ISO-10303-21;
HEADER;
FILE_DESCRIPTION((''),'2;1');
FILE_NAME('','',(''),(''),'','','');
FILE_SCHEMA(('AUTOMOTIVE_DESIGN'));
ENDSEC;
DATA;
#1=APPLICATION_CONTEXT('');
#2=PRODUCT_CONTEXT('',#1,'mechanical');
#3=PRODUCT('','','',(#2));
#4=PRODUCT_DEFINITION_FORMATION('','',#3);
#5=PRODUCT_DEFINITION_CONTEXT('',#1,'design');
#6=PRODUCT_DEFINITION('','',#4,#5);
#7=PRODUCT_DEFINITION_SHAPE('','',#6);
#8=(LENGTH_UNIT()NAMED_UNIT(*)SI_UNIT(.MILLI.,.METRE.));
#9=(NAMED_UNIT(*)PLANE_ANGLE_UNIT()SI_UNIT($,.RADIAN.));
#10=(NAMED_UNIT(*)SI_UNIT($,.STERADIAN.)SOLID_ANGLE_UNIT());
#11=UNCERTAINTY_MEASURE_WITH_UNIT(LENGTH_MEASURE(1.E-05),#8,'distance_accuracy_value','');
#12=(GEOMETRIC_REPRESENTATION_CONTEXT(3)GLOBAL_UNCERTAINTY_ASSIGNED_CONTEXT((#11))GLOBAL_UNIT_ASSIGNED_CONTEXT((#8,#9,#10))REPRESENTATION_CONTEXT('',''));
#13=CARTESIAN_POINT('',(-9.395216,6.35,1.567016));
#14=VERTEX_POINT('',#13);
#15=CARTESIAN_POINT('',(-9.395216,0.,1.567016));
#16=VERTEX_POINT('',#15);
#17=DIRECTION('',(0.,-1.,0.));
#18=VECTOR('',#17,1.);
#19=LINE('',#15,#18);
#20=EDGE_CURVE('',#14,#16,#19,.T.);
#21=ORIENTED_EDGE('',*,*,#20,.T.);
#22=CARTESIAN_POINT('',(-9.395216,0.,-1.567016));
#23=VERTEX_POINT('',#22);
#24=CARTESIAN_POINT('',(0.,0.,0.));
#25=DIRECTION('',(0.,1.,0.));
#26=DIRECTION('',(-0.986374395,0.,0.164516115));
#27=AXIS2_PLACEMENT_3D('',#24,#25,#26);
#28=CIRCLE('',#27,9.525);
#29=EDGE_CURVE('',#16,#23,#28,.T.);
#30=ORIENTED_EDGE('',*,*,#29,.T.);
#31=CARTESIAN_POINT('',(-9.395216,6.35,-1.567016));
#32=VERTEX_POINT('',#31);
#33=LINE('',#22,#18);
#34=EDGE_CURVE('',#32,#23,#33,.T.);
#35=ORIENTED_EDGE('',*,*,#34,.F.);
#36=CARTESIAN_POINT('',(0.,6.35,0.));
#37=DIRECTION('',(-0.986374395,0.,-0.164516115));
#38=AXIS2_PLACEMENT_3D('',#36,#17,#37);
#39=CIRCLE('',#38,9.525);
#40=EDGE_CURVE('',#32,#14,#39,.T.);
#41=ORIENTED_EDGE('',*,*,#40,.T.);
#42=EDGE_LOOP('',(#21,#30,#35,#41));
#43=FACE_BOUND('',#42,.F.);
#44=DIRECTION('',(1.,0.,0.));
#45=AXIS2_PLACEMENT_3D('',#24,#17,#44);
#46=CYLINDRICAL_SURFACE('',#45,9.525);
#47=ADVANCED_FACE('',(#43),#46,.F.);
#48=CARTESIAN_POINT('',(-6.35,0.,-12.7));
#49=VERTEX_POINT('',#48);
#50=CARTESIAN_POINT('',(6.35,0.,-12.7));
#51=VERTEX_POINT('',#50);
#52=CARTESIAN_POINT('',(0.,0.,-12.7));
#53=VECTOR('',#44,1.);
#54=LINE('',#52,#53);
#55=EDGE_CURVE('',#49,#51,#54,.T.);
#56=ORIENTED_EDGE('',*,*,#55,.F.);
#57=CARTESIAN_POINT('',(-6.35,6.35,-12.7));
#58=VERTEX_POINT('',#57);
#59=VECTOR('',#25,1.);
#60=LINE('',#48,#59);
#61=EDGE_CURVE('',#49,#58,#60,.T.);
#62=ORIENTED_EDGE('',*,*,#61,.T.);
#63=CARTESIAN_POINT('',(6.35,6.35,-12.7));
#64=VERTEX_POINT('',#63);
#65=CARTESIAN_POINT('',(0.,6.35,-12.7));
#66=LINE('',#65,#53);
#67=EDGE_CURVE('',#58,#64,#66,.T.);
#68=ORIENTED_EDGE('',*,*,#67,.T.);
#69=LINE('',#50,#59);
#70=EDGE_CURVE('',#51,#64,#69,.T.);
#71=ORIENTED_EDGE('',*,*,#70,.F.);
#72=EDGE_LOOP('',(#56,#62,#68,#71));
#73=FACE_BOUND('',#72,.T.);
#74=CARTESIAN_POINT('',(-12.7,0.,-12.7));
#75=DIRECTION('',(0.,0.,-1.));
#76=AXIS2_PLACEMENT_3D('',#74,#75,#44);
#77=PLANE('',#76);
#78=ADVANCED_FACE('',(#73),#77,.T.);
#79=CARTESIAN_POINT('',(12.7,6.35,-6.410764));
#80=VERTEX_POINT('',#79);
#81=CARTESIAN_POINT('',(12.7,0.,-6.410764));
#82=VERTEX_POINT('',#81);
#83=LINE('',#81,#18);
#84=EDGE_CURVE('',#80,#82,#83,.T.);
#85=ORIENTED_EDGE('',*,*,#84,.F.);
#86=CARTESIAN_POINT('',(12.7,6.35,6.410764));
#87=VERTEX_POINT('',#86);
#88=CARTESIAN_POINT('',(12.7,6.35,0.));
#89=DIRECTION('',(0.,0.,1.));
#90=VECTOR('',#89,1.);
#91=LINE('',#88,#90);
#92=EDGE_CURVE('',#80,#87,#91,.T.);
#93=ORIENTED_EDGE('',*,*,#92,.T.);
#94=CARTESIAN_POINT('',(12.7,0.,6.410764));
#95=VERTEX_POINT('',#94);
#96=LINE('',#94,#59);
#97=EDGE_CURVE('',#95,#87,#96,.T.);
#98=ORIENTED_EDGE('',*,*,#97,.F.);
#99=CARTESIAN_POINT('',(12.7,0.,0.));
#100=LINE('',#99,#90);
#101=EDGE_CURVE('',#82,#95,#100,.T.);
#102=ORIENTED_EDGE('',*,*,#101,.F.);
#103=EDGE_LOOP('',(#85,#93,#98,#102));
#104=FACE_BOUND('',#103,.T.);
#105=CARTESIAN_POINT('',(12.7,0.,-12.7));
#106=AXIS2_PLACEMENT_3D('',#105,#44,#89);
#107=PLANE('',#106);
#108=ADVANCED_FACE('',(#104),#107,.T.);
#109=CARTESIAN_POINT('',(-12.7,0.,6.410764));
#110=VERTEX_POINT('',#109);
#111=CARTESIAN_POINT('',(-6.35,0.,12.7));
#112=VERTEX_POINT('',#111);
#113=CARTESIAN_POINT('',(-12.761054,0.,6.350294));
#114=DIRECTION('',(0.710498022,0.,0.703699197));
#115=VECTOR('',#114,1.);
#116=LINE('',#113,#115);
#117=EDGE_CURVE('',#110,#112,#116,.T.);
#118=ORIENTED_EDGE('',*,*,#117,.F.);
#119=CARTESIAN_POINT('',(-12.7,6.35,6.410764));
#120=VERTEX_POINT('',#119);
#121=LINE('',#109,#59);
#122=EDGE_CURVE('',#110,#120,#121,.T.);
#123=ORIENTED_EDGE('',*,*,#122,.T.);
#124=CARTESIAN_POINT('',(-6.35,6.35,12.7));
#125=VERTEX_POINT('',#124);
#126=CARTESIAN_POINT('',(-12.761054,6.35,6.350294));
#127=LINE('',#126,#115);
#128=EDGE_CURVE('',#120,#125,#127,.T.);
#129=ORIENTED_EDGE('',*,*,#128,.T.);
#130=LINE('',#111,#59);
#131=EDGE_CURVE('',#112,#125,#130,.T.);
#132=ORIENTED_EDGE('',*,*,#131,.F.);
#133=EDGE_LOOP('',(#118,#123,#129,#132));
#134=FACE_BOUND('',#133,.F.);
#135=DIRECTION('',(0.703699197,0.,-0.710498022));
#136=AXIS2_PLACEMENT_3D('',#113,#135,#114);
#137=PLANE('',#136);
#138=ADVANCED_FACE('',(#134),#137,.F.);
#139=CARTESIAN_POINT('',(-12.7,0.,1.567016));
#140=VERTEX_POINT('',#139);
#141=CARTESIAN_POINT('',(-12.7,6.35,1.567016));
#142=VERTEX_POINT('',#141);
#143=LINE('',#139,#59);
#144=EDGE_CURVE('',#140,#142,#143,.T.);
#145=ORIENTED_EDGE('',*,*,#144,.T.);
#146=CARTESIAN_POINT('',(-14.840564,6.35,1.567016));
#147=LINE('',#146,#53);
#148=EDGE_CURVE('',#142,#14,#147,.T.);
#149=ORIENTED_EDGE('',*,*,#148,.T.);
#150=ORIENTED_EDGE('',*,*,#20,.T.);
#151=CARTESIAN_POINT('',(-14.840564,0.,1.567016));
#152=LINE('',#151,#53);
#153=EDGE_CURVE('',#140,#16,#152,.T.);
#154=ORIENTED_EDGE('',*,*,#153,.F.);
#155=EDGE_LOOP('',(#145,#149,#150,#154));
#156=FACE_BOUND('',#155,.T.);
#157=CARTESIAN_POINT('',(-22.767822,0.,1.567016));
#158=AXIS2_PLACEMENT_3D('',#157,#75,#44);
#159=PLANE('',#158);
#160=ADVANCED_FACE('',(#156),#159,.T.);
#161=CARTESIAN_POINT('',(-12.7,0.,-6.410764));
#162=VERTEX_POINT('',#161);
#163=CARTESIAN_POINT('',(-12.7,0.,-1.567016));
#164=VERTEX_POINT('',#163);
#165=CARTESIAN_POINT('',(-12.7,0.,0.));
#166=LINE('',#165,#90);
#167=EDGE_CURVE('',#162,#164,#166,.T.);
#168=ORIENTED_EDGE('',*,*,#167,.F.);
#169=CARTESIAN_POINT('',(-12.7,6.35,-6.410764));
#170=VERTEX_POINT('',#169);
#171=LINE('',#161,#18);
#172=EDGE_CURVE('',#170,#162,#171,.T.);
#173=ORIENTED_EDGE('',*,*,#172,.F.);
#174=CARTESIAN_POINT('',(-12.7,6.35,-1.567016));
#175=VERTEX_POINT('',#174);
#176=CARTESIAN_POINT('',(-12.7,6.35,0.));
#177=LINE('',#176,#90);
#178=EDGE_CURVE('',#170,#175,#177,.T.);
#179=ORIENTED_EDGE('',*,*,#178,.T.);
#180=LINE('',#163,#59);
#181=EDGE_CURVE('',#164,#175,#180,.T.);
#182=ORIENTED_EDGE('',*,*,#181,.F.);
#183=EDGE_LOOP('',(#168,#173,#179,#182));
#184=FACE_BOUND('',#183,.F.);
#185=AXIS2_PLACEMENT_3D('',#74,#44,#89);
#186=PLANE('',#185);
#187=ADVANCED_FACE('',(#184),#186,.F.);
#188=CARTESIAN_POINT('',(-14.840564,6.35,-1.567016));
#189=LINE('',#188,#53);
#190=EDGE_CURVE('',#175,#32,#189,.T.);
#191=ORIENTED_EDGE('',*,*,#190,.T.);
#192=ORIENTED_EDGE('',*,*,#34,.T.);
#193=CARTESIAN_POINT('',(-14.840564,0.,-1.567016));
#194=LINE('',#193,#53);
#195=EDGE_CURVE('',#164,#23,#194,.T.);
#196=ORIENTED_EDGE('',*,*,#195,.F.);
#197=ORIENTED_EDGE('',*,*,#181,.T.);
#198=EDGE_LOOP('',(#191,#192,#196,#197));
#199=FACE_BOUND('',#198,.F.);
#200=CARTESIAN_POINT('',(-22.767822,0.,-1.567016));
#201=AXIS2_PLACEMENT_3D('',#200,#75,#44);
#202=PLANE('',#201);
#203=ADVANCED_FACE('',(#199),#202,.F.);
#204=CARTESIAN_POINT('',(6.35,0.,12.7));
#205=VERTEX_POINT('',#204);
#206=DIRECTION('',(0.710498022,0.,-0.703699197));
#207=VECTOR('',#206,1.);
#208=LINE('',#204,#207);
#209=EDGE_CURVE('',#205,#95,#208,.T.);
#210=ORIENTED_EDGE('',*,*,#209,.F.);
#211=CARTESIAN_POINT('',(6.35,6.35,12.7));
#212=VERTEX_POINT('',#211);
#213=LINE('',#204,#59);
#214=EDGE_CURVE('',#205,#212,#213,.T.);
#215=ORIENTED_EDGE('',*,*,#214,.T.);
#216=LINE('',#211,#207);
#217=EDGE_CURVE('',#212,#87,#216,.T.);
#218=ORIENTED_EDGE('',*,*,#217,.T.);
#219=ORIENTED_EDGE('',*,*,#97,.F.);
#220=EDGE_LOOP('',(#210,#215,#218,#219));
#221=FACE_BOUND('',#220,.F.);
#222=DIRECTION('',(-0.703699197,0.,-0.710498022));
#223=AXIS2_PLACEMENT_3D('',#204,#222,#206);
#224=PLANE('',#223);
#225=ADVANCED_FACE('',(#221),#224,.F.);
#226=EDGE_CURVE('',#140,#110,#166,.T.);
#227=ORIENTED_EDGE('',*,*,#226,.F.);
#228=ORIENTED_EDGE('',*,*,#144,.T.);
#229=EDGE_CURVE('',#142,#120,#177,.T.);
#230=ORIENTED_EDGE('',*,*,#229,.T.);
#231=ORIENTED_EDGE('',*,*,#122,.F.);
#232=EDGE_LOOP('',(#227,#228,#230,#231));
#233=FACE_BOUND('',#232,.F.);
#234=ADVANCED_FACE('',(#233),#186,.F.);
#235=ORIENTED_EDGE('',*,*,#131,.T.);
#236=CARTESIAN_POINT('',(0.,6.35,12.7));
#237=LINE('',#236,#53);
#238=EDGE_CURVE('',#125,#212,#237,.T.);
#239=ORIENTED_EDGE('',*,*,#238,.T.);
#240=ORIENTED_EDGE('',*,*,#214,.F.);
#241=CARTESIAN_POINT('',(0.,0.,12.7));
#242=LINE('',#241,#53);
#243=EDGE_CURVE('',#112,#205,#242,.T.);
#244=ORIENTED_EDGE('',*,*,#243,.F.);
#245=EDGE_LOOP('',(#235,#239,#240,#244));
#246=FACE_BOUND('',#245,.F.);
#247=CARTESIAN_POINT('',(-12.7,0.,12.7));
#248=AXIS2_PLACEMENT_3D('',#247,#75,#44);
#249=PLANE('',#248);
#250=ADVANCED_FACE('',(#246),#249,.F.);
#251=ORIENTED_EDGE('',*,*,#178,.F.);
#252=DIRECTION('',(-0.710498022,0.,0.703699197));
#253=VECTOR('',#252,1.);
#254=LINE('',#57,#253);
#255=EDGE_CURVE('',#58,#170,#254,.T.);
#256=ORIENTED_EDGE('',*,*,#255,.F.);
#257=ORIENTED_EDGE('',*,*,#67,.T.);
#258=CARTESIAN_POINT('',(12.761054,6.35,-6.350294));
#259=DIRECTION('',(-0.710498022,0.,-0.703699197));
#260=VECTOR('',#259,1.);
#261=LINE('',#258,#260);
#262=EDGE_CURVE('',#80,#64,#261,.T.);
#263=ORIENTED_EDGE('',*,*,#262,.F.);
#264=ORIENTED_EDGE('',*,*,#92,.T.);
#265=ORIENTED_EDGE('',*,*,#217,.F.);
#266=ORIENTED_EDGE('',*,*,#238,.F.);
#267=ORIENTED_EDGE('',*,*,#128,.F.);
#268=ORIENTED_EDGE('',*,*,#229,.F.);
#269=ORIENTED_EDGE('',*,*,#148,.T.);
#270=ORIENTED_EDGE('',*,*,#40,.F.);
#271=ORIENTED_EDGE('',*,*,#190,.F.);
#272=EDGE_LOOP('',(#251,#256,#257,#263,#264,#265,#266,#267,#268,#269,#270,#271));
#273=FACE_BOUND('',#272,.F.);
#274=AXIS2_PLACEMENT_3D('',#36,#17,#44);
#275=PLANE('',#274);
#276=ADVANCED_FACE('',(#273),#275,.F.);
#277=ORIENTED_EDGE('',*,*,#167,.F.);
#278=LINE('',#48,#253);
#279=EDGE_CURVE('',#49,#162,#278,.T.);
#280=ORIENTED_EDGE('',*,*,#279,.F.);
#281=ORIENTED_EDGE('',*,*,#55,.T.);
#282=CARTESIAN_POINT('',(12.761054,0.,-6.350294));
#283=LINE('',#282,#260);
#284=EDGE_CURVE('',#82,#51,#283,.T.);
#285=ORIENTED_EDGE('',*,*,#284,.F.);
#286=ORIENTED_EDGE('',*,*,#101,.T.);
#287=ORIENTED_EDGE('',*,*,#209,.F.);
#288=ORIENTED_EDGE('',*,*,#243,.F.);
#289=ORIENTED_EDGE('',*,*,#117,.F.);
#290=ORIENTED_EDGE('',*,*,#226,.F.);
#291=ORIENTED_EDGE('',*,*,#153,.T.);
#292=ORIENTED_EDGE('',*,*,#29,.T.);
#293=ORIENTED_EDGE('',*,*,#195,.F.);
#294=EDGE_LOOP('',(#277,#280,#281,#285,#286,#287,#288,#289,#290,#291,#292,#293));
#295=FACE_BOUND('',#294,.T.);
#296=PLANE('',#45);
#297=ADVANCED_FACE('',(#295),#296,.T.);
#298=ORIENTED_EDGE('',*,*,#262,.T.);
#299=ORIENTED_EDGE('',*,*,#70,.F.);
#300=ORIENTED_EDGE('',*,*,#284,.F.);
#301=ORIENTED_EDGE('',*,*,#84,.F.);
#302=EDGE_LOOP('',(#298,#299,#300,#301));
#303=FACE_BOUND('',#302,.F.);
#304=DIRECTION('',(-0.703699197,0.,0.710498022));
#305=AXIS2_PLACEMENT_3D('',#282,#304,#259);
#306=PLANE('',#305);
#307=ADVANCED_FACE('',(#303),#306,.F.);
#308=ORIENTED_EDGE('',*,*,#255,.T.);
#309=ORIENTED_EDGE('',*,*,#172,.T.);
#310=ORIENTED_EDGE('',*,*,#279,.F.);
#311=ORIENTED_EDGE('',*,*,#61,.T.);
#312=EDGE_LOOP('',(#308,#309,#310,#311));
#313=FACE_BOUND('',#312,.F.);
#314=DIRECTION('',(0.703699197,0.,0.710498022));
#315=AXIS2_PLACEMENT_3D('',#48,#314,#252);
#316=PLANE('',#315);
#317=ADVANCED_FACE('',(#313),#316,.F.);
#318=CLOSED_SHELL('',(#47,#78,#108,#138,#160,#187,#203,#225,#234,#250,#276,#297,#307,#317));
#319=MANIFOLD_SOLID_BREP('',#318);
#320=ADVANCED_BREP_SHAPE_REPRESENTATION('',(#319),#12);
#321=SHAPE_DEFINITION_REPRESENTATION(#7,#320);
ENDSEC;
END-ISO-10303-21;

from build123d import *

# Parameters (mm, degrees)
F0_W     = 25.4
F0_H     = 25.4
F1_DEPTH = 6.35
F2_R     = 9.525
F3_DEPTH = 6.35
F5_DEPTH = 6.35
F6_W     = 15.854515
F6_H     = 3.134032
F7_DEPTH = 6.35


with BuildPart() as f1:
    # F0 (on Front) → F1 (new body)
    with BuildSketch(Plane.XZ):
        Rectangle(F0_W, F0_H)
    extrude(amount=-F1_DEPTH)

    # F2 (on face) → F3 (cut)
    with BuildSketch(Plane.XZ):
        Circle(F2_R)
    extrude(amount=-F3_DEPTH, mode=Mode.SUBTRACT)

    # F4 (on Front) → F5 (cut)
    with BuildSketch(Plane.XZ):
        Polygon((12.761054, 6.350294), (12.7, 12.7), (6.35, 12.7), align=None)
        Polygon((-6.35, 12.7), (-12.7, 12.7), (-12.761054, 6.350294), align=None)
        Polygon((-12.761054, -6.350294), (-12.7, -12.7), (-6.35, -12.7), align=None)
        Polygon((6.35, -12.7), (12.7, -12.7), (12.761054, -6.350294), align=None)
    extrude(amount=-F5_DEPTH, mode=Mode.SUBTRACT)

    # F6 (on Front) → F7 (cut)
    with BuildSketch(Plane.XZ):
        with Locations((-14.840564, 0)):
            Rectangle(F6_W, F6_H)
    extrude(amount=-F7_DEPTH, mode=Mode.SUBTRACT)


solid = f1.part
